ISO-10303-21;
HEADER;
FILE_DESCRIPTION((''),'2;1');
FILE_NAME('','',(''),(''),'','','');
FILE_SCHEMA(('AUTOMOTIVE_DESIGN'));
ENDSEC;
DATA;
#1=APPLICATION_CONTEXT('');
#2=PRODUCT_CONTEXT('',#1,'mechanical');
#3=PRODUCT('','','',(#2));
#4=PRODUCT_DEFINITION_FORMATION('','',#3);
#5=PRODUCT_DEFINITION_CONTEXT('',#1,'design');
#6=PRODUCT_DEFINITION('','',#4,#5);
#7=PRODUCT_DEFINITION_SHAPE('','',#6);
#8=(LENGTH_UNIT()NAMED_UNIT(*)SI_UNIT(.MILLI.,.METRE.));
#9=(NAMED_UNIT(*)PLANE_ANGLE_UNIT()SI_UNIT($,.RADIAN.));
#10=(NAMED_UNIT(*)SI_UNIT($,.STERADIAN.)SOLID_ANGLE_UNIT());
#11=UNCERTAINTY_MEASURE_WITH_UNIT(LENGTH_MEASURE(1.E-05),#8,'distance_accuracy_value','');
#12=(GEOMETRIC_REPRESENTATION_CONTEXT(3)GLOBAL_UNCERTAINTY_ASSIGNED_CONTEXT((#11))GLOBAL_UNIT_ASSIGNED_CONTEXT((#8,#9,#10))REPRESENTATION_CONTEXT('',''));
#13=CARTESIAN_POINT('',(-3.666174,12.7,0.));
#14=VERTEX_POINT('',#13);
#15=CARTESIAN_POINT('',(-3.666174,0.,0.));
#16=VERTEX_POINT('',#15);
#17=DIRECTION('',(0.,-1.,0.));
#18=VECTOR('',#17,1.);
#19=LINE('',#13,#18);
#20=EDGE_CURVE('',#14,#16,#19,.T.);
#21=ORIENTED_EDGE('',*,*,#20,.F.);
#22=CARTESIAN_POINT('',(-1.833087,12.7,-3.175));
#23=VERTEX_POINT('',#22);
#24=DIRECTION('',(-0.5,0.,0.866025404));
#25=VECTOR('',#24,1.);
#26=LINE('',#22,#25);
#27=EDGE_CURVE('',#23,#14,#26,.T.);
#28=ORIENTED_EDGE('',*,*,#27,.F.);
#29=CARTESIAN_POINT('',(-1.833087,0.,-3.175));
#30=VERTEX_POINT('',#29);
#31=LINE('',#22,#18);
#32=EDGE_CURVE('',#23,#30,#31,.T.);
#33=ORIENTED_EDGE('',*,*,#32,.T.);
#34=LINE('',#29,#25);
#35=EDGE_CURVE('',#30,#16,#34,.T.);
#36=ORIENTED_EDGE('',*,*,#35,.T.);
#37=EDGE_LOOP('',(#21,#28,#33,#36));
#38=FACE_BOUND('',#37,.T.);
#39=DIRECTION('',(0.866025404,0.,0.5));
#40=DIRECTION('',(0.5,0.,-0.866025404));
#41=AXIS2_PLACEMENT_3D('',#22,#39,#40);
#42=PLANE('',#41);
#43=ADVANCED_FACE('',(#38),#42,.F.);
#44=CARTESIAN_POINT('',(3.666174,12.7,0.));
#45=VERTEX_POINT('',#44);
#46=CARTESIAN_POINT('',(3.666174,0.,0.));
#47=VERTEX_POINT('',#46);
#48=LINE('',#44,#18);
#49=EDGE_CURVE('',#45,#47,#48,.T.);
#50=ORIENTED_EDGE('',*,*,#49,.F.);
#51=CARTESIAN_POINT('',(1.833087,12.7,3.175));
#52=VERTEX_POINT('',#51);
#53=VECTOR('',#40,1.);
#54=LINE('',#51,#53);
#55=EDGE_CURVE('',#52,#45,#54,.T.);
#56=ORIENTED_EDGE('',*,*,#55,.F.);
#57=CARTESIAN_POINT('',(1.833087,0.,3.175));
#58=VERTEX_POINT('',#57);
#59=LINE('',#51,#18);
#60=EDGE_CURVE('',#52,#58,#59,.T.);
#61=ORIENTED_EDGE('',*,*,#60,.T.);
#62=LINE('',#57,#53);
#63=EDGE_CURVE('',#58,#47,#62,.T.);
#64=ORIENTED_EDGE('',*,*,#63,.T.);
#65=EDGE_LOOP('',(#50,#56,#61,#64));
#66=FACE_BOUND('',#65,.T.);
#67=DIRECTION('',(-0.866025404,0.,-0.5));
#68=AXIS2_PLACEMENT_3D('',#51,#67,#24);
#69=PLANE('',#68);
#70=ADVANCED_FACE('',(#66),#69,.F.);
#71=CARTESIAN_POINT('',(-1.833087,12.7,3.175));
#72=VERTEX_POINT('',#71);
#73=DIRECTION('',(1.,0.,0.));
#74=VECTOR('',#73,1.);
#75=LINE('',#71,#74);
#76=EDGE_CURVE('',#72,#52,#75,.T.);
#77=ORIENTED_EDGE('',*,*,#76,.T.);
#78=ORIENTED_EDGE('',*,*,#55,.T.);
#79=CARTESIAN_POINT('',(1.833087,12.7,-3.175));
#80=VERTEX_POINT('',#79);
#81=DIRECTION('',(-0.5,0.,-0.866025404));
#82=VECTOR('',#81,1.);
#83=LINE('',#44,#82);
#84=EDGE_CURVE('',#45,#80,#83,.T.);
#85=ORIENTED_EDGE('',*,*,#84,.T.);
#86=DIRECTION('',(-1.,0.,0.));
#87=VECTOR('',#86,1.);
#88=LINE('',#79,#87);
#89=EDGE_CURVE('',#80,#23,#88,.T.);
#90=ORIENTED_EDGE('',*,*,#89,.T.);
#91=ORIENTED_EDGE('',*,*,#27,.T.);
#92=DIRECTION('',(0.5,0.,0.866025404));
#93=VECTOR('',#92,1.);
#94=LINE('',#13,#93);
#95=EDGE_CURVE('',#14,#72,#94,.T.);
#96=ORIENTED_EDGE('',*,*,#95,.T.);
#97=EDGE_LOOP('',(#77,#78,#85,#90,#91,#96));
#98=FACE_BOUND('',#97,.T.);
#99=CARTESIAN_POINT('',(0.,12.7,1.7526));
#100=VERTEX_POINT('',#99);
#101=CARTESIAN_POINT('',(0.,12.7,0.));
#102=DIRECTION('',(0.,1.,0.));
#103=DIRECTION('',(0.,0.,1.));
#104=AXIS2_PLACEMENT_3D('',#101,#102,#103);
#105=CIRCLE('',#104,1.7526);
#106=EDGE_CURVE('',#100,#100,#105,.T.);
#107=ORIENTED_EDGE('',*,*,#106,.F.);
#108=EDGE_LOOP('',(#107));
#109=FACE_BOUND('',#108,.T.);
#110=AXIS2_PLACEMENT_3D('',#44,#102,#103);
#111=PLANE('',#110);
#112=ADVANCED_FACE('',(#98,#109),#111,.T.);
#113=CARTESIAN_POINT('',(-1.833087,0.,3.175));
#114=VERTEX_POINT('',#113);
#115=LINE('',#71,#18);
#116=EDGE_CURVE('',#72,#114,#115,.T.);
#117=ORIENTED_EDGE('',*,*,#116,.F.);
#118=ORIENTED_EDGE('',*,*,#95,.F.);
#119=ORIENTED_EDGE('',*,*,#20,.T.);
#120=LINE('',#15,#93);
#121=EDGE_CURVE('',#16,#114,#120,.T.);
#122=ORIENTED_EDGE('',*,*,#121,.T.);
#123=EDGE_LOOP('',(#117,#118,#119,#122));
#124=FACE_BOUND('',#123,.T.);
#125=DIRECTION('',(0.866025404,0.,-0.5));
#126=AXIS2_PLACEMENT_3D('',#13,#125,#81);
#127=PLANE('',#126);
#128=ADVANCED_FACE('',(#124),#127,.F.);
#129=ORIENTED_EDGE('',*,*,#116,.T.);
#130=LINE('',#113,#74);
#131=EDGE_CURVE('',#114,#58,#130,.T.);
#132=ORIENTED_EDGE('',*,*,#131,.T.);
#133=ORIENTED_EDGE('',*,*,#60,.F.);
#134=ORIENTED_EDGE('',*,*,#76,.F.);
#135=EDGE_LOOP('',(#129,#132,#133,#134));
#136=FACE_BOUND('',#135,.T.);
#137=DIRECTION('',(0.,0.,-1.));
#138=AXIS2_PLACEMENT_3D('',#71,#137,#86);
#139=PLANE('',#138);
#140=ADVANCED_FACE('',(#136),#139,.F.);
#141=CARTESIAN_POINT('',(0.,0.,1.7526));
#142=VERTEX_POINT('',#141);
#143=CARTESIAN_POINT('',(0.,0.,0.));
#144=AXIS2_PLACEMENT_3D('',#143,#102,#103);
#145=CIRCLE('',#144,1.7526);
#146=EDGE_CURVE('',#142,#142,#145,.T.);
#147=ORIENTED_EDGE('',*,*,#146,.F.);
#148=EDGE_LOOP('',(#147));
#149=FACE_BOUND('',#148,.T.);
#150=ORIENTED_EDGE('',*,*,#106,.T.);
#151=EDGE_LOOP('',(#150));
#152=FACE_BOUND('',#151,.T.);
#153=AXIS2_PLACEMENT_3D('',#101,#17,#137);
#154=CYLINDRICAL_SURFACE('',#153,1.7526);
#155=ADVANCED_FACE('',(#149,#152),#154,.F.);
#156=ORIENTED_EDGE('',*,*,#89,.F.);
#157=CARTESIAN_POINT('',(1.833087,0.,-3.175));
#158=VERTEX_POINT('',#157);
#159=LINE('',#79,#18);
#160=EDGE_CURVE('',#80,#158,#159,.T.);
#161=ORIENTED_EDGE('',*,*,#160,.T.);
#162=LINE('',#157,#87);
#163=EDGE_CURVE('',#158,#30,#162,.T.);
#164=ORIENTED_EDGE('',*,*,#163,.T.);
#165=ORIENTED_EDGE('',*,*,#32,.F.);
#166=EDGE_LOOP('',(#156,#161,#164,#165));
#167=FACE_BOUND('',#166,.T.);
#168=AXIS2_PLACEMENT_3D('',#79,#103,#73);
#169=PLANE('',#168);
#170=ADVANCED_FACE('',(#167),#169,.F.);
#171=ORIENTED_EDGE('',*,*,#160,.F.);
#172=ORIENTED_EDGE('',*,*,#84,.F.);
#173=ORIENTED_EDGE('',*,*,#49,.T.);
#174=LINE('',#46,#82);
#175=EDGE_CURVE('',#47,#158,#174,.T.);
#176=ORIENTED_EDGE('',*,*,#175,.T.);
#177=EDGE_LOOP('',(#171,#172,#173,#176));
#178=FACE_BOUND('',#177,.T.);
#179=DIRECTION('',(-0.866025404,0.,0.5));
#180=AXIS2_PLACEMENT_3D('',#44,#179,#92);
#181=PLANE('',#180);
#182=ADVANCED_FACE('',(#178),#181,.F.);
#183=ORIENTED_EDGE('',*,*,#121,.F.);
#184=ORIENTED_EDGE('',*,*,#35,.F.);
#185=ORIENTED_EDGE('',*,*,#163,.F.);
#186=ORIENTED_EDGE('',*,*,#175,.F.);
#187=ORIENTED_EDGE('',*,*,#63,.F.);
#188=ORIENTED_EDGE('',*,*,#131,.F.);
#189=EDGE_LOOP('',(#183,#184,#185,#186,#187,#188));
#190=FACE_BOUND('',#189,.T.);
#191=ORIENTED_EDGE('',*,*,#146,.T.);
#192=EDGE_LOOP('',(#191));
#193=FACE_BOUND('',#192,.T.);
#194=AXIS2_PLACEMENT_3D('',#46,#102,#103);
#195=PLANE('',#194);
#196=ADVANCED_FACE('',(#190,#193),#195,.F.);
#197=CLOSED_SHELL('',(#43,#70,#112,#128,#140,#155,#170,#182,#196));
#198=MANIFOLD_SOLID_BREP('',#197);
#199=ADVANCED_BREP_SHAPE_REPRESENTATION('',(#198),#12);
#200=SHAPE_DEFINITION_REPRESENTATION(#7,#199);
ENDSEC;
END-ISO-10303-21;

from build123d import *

# Parameters (mm, degrees)
SKETCH1_R           = 1.7526
BOSS_EXTRUDE1_DEPTH = 12.7


with BuildPart() as part:
    # Sketch1 → Boss-Extrude1 (new body)
    with BuildSketch(Plane(origin=(0, 0, 0), x_dir=(1, 0, 0), z_dir=(0, 1, 0))):
        Polygon((3.666174209, 0), (1.833087105, 3.175), (-1.833087105, 3.175), (-3.666174209, 0), (-1.833087105, -3.175), (1.833087105, -3.175), align=None)
        Circle(SKETCH1_R, mode=Mode.SUBTRACT)
    extrude(amount=BOSS_EXTRUDE1_DEPTH)


solid = part.part
